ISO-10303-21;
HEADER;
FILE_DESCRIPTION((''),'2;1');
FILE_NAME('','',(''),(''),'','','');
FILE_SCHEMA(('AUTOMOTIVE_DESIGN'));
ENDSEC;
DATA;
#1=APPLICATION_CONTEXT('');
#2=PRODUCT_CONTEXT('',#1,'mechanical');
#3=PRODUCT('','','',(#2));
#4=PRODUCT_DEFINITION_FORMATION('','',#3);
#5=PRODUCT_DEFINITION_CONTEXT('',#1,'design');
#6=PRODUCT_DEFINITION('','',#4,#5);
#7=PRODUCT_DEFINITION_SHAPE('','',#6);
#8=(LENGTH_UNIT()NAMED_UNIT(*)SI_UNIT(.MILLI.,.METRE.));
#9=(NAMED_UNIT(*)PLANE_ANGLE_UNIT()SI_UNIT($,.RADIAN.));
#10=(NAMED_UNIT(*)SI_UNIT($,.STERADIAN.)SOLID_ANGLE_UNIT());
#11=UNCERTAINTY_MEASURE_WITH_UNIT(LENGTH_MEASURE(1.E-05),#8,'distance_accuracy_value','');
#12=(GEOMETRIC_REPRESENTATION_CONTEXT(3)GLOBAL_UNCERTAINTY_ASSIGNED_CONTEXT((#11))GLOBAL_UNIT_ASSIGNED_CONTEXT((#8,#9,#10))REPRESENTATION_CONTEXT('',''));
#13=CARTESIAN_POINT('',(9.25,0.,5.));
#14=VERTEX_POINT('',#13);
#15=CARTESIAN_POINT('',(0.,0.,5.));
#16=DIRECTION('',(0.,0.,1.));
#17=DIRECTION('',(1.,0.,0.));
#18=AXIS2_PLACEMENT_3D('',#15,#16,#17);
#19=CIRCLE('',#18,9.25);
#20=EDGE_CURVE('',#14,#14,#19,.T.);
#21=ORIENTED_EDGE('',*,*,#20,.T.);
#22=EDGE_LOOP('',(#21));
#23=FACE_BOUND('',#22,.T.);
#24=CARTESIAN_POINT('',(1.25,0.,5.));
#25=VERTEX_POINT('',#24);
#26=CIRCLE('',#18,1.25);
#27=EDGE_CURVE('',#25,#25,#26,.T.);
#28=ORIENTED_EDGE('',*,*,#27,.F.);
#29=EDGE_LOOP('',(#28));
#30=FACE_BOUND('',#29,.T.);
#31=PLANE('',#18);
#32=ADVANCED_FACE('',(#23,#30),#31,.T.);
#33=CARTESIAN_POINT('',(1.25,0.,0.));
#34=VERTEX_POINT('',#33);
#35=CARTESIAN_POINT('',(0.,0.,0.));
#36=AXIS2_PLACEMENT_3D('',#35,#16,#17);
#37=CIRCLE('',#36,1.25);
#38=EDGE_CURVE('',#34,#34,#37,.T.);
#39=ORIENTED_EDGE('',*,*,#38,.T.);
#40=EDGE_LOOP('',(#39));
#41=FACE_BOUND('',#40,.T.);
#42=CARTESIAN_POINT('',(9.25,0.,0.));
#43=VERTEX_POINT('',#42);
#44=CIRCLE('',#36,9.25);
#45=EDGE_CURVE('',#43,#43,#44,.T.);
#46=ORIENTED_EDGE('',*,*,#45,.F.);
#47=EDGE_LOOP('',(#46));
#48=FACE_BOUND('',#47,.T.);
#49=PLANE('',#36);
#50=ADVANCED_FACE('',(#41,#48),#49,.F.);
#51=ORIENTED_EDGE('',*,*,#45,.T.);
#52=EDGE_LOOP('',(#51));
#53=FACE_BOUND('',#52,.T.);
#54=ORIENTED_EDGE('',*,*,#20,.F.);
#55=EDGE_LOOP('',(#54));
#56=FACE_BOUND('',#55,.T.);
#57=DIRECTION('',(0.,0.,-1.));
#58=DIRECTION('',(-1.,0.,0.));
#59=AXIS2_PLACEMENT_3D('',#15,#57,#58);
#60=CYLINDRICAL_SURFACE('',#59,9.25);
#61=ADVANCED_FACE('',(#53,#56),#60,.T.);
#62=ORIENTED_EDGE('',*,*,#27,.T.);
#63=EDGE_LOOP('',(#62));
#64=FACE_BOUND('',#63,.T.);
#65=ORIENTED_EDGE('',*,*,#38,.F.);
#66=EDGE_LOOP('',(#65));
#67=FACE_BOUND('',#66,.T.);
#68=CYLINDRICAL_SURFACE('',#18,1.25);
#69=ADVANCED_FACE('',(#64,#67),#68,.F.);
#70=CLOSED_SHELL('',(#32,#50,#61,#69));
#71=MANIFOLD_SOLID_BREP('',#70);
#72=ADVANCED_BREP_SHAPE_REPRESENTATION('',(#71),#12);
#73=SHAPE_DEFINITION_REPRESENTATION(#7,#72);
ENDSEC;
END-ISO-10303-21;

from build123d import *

# Parameters (mm, degrees)
ESQUISSE1_R           = 9.25
ESQUISSE1_R_2         = 0.75
BOSS_EXTRU_1_DEPTH    = 5
TROU_TARAUD_M3X0_51_D = 2.5


with BuildPart() as part:
    # Esquisse1 → Boss.-Extru.1 (new body)
    with BuildSketch(Plane.XY):
        Circle(ESQUISSE1_R)
        Circle(ESQUISSE1_R_2, mode=Mode.SUBTRACT)
    extrude(amount=BOSS_EXTRU_1_DEPTH)

    # Trou taraudé M3x0.51 (through all)
    with Locations(Plane.XY.offset(5)):
        with Locations((0, 0)):
            Hole(TROU_TARAUD_M3X0_51_D / 2)


solid = part.part
